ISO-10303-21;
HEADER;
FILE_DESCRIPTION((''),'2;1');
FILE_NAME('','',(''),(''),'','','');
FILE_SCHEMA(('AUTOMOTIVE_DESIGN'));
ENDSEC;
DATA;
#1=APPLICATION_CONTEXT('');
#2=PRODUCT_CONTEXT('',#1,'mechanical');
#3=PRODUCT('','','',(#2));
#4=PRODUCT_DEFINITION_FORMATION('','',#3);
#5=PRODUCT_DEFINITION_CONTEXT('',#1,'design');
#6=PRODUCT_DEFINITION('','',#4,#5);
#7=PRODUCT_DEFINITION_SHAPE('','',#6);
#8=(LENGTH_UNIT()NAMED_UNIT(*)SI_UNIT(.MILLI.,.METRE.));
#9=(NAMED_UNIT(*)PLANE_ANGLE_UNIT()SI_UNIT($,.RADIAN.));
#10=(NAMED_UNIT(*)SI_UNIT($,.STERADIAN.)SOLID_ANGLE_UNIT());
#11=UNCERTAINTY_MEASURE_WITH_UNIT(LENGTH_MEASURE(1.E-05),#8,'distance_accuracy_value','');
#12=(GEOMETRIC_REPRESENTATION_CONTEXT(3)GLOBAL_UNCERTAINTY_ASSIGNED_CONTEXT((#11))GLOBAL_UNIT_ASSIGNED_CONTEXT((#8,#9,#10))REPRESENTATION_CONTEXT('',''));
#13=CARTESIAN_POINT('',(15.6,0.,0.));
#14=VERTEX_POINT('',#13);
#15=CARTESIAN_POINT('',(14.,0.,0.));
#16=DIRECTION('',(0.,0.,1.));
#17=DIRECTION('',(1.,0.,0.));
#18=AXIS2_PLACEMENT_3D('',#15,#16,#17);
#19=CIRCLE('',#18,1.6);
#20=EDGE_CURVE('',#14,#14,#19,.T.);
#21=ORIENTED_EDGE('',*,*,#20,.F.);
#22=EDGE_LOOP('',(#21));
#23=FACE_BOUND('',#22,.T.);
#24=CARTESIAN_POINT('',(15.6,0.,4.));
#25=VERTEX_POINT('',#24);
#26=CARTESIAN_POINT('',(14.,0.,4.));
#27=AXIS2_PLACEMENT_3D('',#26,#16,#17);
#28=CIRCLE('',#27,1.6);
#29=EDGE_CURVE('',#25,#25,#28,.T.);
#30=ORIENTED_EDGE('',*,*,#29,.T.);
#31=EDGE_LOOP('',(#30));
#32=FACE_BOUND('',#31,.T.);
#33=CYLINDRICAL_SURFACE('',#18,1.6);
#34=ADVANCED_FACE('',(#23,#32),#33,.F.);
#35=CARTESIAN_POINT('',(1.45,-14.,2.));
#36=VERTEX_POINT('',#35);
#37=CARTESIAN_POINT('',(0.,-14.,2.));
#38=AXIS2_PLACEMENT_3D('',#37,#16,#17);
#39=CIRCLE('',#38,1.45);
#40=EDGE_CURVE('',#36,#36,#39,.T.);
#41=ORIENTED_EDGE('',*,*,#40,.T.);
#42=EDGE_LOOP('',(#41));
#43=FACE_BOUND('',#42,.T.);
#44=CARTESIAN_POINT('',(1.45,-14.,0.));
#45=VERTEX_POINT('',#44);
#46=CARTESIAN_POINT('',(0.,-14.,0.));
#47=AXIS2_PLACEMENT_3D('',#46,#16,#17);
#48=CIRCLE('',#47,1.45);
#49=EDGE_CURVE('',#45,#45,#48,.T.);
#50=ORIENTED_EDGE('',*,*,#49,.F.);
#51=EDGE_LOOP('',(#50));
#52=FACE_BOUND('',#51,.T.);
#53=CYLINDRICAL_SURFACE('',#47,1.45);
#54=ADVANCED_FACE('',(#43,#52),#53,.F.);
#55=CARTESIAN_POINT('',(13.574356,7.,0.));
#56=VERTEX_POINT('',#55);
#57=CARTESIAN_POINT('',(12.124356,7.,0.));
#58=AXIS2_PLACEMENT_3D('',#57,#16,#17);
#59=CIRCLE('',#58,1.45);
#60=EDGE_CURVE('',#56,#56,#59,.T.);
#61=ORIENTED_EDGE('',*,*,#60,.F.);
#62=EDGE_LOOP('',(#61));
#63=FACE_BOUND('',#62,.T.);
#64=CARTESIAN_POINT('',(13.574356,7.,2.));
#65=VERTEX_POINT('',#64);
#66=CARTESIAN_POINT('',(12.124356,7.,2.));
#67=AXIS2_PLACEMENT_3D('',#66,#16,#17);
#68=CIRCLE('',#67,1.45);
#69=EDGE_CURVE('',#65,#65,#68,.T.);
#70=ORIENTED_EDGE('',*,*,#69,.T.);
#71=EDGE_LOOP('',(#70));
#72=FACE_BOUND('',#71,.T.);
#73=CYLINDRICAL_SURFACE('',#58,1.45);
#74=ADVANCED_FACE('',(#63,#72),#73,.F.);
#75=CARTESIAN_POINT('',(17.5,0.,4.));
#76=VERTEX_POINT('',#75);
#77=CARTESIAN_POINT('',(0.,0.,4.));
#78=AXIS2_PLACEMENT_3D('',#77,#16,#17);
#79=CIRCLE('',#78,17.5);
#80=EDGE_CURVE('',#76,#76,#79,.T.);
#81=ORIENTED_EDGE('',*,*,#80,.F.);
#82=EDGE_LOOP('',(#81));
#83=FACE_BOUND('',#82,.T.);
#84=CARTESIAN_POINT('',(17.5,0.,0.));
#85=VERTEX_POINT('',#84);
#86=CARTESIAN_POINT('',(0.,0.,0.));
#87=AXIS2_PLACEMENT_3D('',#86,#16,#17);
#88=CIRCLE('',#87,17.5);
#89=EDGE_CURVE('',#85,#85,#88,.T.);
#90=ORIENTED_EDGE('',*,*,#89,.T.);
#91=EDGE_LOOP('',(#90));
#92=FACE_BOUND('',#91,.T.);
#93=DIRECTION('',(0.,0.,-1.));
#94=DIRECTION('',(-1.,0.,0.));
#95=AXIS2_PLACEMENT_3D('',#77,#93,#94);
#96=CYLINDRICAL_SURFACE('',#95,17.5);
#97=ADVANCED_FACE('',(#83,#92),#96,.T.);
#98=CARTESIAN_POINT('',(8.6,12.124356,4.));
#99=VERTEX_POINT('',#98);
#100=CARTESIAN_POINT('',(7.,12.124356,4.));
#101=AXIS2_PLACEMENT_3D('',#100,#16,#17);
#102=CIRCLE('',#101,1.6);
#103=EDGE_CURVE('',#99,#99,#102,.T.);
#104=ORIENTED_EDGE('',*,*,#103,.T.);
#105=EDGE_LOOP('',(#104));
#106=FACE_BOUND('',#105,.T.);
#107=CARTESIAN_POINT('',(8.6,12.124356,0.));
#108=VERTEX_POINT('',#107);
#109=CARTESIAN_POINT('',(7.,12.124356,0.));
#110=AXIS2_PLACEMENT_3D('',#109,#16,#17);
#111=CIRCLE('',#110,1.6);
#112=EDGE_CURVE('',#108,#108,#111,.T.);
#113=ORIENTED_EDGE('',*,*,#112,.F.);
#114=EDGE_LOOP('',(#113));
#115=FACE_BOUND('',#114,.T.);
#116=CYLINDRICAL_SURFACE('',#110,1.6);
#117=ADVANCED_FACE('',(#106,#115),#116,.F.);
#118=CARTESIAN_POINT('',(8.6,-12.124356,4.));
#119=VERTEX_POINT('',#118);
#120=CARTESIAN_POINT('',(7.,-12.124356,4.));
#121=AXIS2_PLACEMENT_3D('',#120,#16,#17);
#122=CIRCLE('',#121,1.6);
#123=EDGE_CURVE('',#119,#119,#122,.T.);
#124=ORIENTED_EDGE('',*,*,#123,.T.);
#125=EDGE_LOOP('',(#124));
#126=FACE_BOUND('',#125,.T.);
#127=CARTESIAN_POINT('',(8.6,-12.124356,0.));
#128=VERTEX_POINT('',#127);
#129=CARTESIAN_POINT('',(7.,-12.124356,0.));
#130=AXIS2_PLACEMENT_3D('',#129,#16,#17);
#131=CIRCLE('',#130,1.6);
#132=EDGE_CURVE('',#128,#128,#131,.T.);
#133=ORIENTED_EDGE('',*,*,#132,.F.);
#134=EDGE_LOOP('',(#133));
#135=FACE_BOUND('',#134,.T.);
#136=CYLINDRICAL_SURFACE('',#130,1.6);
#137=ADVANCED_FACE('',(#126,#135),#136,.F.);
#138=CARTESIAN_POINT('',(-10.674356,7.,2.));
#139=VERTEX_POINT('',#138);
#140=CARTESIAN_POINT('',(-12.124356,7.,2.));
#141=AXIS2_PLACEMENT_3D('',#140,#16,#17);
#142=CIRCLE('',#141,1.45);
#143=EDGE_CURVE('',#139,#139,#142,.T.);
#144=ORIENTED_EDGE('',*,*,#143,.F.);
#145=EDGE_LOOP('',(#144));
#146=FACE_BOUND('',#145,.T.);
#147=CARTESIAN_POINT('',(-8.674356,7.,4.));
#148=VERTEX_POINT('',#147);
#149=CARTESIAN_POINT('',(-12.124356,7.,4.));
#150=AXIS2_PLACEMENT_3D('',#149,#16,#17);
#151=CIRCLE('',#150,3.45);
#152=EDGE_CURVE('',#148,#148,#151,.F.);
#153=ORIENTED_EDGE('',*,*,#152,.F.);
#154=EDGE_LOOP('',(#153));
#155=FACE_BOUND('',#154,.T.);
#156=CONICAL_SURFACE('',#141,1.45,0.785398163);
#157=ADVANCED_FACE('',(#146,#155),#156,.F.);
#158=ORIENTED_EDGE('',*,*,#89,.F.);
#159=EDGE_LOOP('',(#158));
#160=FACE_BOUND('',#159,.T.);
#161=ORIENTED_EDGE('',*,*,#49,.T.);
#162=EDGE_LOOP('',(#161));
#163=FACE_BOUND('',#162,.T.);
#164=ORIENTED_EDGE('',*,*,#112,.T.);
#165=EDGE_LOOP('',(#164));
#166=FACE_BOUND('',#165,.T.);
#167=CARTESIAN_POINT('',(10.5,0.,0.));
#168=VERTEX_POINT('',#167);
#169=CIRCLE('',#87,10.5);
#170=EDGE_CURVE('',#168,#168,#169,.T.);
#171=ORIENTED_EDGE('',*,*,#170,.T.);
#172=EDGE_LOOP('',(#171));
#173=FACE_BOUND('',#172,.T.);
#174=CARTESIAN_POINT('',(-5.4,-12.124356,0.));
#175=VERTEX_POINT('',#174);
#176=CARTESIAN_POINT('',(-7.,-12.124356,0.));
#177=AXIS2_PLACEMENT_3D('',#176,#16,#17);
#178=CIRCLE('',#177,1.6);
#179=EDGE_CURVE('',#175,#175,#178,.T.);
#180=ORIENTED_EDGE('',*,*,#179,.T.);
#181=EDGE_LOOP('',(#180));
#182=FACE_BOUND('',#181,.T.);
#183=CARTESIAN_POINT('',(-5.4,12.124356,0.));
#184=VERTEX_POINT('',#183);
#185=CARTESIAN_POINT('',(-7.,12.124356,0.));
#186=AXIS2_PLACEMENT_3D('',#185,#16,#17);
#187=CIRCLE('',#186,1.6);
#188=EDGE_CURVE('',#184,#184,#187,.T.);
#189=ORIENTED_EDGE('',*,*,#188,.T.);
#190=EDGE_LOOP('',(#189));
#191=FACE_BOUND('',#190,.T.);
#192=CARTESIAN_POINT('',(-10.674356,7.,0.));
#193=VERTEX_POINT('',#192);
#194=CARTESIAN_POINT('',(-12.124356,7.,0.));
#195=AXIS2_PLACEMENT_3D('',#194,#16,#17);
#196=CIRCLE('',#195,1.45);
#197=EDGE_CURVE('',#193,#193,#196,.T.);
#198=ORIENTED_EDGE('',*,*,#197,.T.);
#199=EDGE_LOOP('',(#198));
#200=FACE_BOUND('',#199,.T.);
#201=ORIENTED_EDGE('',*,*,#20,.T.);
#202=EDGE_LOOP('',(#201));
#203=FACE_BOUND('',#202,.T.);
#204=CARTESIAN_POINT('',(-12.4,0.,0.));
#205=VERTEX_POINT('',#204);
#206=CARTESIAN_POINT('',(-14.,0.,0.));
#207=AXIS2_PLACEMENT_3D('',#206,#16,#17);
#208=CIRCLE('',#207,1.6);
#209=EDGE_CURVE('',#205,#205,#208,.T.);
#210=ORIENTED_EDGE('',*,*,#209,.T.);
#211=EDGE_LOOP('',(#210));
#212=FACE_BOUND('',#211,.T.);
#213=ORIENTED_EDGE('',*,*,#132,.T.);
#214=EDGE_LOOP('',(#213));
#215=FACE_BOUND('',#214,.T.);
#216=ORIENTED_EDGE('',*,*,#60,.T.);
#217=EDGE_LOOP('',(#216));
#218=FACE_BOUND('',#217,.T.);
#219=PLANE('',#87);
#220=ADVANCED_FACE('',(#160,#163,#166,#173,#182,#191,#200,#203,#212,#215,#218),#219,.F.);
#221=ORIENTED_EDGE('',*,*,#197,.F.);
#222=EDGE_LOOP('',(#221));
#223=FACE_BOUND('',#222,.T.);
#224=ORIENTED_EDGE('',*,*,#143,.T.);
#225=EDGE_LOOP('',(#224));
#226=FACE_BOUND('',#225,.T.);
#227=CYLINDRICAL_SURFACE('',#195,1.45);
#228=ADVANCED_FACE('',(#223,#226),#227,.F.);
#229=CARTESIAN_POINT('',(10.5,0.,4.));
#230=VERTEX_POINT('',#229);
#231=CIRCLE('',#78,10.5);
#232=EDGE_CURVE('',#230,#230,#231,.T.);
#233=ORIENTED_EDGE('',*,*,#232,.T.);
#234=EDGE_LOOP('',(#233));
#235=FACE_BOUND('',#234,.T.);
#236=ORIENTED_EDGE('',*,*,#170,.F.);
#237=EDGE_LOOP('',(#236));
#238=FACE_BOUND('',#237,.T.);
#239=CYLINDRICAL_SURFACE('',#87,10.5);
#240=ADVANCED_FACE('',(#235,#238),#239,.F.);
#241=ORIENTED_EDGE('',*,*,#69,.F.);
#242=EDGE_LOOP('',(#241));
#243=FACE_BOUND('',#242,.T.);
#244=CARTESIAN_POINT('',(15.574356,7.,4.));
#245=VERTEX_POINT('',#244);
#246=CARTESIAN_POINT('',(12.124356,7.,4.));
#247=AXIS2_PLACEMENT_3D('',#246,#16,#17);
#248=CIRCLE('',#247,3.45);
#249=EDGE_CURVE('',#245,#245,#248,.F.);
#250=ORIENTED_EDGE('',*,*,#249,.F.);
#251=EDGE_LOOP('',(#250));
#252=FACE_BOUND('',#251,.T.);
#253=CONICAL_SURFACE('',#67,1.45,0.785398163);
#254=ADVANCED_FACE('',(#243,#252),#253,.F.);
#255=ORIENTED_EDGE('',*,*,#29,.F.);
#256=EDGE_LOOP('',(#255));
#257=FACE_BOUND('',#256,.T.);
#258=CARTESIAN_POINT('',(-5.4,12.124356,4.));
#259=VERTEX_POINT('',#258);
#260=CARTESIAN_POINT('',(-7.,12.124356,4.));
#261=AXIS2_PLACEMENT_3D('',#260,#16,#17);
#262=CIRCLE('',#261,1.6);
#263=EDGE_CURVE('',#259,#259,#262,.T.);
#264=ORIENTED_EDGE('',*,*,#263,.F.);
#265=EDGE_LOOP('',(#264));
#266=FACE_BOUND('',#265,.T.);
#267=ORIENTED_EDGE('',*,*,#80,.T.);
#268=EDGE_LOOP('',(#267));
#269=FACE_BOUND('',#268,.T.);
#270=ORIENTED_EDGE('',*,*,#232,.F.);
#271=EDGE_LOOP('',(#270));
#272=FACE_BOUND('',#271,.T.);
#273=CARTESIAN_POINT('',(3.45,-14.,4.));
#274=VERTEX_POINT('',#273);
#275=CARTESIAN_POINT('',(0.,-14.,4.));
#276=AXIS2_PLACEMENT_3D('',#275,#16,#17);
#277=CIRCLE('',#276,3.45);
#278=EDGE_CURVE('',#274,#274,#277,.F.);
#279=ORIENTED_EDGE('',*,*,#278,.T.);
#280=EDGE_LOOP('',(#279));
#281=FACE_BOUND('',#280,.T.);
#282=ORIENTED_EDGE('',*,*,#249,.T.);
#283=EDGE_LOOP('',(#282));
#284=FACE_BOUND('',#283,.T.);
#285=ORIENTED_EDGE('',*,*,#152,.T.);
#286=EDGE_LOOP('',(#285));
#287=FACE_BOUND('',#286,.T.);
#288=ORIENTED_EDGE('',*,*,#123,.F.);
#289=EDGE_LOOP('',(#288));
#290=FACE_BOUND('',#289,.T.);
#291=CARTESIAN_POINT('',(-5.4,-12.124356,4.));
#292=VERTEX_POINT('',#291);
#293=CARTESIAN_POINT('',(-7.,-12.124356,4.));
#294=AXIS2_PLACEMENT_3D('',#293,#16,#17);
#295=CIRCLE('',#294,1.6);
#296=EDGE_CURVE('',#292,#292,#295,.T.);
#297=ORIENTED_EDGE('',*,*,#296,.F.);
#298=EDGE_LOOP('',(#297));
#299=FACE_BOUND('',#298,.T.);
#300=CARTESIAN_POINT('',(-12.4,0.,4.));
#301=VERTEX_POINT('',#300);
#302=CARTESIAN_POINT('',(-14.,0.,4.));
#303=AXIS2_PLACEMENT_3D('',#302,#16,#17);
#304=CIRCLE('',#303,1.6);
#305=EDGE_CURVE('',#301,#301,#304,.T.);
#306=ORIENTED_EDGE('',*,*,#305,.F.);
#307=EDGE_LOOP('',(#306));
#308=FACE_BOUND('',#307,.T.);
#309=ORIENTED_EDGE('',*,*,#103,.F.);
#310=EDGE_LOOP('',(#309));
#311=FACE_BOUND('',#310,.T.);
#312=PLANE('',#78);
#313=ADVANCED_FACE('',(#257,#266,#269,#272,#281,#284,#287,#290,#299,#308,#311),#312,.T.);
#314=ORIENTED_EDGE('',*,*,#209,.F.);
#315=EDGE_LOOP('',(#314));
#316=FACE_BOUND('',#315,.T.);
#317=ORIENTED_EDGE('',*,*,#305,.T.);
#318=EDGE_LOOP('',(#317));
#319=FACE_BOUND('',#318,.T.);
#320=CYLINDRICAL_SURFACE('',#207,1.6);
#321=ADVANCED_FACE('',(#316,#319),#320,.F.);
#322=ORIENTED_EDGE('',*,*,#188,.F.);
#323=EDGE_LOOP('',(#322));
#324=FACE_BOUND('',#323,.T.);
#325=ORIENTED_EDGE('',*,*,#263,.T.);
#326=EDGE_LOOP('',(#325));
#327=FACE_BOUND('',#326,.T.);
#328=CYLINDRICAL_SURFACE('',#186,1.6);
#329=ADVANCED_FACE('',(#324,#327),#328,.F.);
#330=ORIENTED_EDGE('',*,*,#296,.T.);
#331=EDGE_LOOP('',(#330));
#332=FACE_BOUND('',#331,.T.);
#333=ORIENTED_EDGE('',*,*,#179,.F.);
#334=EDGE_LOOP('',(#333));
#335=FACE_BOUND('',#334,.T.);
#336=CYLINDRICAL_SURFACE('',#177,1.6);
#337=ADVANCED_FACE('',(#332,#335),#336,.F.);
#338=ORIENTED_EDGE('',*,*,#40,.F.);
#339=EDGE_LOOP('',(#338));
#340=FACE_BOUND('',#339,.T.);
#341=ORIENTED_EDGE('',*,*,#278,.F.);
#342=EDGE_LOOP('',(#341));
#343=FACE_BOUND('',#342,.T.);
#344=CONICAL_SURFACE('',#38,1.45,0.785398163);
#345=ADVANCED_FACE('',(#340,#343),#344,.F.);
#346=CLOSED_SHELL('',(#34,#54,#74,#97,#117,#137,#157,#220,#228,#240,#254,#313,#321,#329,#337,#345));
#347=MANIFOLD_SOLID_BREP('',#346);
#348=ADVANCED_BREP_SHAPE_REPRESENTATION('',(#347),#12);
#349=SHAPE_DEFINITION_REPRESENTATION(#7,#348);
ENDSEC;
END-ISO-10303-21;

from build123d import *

# Parameters (mm, degrees)
SKETCH1_R           = 17.5
BOSS_EXTRUDE1_DEPTH = 4
SKETCH2_R           = 10.5
CUT_EXTRUDE1_DEPTH  = 26.069902273
SKETCH3_R           = 1.6
CUT_EXTRUDE2_DEPTH  = 26.069902273
SKETCH4_R           = 1.45
CUT_EXTRUDE3_DEPTH  = 26.069902273
CHAMFER1_SIZE       = 2


with BuildPart() as part:
    # Sketch1 → Boss-Extrude1 (new body)
    with BuildSketch(Plane.XY):
        Circle(SKETCH1_R)
    extrude(amount=BOSS_EXTRUDE1_DEPTH)

    # Sketch2 → Cut-Extrude1 (cut, through all)
    with BuildSketch(Plane.XY.offset(4)):
        Circle(SKETCH2_R)
    extrude(amount=-CUT_EXTRUDE1_DEPTH, mode=Mode.SUBTRACT)

    # Sketch3 → Cut-Extrude2 (cut, through all)
    with BuildSketch(Plane.XY.offset(4)):
        with Locations((14, 0)):
            Circle(SKETCH3_R)
        with Locations((7, -12.124355653)):
            Circle(SKETCH3_R)
        with Locations((-7, -12.124355653)):
            Circle(SKETCH3_R)
        with Locations((-14, 0)):
            Circle(SKETCH3_R)
        with Locations((-7, 12.124355653)):
            Circle(SKETCH3_R)
        with Locations((7, 12.124355653)):
            Circle(SKETCH3_R)
    extrude(amount=-CUT_EXTRUDE2_DEPTH, mode=Mode.SUBTRACT)

    # Sketch4 → Cut-Extrude3 (cut, through all)
    with BuildSketch(Plane.XY.offset(4)):
        with Locations((12.124355653, 7)):
            Circle(SKETCH4_R)
        with Locations((0, -14)):
            Circle(SKETCH4_R)
        with Locations((-12.124355653, 7)):
            Circle(SKETCH4_R)
    extrude(amount=-CUT_EXTRUDE3_DEPTH, mode=Mode.SUBTRACT)

    # Chamfer1
    chamfer1_edges = [part.edges().sort_by_distance(p)[0] for p in [
        (10.674355653, 7, 4),
        (-1.45, -14, 4),
        (-13.574355653, 7, 4),
    ]]
    chamfer(chamfer1_edges, length=CHAMFER1_SIZE)


solid = part.part
